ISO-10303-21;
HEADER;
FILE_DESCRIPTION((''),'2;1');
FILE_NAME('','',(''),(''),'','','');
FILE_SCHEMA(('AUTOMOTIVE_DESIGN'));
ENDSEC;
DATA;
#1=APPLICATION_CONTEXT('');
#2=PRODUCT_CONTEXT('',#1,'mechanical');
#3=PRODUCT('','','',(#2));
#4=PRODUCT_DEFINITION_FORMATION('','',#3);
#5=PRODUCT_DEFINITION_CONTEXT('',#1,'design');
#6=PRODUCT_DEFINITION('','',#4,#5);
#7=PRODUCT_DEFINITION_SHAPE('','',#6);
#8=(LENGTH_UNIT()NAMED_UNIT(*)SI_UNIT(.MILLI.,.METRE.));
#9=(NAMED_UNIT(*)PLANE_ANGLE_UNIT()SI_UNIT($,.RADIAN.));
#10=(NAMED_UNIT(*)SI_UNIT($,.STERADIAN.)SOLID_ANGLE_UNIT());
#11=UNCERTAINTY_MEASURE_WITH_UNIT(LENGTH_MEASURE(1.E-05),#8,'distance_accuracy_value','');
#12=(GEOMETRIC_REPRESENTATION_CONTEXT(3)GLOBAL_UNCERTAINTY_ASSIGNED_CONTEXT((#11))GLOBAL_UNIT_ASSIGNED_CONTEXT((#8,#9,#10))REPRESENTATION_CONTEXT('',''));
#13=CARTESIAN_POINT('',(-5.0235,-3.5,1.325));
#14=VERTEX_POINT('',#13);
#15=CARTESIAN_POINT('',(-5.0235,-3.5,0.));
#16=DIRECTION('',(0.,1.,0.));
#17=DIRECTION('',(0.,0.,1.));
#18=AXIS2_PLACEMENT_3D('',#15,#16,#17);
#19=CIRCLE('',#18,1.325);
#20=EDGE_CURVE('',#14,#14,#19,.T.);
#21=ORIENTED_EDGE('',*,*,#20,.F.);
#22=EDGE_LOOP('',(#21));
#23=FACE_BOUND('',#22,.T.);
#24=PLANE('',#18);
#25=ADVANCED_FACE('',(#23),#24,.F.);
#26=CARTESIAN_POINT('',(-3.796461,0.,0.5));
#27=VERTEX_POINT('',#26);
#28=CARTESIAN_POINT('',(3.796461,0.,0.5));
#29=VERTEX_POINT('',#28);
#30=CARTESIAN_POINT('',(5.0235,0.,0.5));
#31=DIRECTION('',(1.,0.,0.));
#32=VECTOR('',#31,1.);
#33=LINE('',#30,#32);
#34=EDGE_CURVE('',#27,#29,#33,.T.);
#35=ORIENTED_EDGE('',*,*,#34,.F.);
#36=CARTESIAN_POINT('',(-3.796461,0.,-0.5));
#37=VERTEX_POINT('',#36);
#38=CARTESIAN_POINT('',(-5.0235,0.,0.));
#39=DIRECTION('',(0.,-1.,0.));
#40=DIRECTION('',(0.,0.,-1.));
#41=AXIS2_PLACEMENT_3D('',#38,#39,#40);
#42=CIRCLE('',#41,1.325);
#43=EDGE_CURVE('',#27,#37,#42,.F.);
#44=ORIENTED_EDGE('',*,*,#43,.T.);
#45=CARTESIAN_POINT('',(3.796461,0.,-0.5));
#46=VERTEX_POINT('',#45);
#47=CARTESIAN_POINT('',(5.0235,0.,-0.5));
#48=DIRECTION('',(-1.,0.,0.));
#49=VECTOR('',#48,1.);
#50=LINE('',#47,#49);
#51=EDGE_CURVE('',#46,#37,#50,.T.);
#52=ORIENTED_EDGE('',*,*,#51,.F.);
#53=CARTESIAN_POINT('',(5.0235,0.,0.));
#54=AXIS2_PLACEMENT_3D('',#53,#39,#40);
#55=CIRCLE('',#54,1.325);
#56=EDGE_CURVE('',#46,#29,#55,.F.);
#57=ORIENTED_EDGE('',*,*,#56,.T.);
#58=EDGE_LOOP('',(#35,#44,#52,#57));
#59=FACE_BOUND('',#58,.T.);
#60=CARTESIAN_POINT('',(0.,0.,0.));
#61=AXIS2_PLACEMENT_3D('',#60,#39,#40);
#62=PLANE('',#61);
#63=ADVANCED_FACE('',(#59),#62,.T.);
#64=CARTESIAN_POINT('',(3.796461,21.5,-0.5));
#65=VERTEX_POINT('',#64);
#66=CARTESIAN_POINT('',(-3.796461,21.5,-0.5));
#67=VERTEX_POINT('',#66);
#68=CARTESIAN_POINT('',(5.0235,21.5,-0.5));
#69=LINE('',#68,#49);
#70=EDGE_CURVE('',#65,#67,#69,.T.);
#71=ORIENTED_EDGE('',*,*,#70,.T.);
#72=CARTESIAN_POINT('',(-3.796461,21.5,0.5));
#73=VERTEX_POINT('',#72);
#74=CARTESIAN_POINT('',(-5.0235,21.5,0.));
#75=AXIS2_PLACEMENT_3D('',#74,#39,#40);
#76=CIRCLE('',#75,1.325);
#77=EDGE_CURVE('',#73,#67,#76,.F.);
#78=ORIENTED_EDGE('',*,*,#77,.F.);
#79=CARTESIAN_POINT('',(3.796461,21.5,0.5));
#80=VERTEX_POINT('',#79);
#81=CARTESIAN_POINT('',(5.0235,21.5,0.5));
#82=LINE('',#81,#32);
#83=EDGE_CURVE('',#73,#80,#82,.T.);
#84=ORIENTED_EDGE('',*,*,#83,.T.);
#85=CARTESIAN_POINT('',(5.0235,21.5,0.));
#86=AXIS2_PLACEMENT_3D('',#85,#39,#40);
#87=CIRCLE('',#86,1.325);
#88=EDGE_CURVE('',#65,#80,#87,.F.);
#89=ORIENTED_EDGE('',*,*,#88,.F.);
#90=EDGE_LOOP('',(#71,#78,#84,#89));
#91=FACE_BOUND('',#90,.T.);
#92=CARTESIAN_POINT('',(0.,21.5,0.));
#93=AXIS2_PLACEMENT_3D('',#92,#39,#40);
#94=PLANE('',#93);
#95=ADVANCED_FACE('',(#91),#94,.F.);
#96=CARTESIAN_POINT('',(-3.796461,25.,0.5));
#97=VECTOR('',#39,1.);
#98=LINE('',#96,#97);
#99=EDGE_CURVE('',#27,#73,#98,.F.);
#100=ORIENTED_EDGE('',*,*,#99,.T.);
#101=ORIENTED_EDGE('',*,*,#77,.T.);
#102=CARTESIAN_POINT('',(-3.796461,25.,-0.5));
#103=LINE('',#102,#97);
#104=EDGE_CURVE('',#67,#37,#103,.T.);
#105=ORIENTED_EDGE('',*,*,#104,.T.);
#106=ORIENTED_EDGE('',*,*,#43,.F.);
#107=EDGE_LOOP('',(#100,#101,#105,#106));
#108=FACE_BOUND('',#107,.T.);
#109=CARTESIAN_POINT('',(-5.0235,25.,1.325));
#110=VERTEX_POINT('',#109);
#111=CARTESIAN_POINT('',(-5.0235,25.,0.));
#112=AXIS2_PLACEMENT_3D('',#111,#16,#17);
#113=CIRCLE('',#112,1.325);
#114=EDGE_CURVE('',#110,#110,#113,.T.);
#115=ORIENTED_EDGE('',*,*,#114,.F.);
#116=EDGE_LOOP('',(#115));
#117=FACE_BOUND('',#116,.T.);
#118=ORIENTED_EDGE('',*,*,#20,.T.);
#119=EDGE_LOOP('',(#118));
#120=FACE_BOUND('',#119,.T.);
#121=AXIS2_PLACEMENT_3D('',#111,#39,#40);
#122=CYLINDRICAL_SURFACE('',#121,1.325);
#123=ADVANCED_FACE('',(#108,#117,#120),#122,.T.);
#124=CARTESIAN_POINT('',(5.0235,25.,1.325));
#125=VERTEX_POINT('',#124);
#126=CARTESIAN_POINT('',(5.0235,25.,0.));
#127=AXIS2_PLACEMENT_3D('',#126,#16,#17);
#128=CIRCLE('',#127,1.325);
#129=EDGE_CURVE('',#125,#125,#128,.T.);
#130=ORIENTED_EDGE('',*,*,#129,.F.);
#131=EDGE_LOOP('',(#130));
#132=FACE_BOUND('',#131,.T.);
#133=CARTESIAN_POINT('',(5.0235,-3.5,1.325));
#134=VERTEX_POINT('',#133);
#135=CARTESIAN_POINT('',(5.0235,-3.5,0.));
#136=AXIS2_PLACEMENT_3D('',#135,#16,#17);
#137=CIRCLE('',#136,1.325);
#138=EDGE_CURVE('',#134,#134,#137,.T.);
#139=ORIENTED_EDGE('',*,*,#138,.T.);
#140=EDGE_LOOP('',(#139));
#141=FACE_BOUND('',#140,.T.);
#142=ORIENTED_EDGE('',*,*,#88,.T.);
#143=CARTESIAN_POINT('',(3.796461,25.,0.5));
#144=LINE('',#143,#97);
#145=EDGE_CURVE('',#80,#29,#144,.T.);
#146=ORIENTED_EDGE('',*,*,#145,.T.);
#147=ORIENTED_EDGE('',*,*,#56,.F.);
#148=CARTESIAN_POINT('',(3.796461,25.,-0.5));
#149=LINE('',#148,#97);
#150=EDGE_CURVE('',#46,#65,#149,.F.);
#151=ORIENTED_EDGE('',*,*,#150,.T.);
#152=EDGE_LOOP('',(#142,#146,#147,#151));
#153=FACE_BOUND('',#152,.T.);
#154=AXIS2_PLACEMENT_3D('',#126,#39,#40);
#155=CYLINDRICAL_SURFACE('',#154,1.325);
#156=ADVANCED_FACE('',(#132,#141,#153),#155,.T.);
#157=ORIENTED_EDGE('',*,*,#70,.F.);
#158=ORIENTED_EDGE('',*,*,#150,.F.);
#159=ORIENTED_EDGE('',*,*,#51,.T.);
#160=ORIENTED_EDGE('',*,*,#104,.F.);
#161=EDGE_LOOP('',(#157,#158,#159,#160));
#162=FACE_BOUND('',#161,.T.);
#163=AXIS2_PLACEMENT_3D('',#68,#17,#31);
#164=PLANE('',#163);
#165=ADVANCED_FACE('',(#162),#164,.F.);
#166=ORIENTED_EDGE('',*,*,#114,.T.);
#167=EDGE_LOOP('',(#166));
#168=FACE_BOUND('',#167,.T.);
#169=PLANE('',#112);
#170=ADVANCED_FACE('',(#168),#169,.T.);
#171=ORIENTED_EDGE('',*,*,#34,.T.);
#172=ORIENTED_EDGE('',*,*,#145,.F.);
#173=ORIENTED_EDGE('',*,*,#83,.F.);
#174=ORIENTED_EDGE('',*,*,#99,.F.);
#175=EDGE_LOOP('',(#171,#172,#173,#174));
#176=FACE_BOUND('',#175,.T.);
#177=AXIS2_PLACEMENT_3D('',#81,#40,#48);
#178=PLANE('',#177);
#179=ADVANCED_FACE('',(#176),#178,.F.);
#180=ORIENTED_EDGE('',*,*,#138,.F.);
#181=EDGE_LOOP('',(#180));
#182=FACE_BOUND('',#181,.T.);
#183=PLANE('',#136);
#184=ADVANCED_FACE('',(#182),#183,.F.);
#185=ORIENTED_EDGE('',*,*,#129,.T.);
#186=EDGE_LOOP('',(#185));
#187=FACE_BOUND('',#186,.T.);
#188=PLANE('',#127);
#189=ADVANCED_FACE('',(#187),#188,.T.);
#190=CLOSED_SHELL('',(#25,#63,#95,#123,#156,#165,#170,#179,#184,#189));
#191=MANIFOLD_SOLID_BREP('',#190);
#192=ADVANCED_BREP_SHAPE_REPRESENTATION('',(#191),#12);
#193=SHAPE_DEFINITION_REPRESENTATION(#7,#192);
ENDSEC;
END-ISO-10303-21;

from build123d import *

# Parameters (mm, degrees)
SKETCH1_W           = 10.047
SKETCH1_H           = 1
BOSS_EXTRUDE1_DEPTH = 21.5
SKETCH2_R           = 1.325
BOSS_EXTRUDE2_DEPTH = 14.25


with BuildPart() as part:
    # Sketch1 → Boss-Extrude1 (new body)
    with BuildSketch(Plane(origin=(0, 0, 0), x_dir=(1, 0, 0), z_dir=(0, 1, 0))):
        Rectangle(SKETCH1_W, SKETCH1_H)
    extrude(amount=BOSS_EXTRUDE1_DEPTH)

    # Sketch2 → Boss-Extrude2 (add, symmetric)
    with BuildSketch(Plane(origin=(0, 10.75, 0), x_dir=(1, 0, 0), z_dir=(0, 1, 0))):
        with Locations(Location((-5.0235, 0, 0), (0, 0, 270))):
            Circle(SKETCH2_R)
        with Locations(Location((5.0235, 0, 0), (0, 0, 270))):
            Circle(SKETCH2_R)
    extrude(amount=BOSS_EXTRUDE2_DEPTH, both=True)


solid = part.part
